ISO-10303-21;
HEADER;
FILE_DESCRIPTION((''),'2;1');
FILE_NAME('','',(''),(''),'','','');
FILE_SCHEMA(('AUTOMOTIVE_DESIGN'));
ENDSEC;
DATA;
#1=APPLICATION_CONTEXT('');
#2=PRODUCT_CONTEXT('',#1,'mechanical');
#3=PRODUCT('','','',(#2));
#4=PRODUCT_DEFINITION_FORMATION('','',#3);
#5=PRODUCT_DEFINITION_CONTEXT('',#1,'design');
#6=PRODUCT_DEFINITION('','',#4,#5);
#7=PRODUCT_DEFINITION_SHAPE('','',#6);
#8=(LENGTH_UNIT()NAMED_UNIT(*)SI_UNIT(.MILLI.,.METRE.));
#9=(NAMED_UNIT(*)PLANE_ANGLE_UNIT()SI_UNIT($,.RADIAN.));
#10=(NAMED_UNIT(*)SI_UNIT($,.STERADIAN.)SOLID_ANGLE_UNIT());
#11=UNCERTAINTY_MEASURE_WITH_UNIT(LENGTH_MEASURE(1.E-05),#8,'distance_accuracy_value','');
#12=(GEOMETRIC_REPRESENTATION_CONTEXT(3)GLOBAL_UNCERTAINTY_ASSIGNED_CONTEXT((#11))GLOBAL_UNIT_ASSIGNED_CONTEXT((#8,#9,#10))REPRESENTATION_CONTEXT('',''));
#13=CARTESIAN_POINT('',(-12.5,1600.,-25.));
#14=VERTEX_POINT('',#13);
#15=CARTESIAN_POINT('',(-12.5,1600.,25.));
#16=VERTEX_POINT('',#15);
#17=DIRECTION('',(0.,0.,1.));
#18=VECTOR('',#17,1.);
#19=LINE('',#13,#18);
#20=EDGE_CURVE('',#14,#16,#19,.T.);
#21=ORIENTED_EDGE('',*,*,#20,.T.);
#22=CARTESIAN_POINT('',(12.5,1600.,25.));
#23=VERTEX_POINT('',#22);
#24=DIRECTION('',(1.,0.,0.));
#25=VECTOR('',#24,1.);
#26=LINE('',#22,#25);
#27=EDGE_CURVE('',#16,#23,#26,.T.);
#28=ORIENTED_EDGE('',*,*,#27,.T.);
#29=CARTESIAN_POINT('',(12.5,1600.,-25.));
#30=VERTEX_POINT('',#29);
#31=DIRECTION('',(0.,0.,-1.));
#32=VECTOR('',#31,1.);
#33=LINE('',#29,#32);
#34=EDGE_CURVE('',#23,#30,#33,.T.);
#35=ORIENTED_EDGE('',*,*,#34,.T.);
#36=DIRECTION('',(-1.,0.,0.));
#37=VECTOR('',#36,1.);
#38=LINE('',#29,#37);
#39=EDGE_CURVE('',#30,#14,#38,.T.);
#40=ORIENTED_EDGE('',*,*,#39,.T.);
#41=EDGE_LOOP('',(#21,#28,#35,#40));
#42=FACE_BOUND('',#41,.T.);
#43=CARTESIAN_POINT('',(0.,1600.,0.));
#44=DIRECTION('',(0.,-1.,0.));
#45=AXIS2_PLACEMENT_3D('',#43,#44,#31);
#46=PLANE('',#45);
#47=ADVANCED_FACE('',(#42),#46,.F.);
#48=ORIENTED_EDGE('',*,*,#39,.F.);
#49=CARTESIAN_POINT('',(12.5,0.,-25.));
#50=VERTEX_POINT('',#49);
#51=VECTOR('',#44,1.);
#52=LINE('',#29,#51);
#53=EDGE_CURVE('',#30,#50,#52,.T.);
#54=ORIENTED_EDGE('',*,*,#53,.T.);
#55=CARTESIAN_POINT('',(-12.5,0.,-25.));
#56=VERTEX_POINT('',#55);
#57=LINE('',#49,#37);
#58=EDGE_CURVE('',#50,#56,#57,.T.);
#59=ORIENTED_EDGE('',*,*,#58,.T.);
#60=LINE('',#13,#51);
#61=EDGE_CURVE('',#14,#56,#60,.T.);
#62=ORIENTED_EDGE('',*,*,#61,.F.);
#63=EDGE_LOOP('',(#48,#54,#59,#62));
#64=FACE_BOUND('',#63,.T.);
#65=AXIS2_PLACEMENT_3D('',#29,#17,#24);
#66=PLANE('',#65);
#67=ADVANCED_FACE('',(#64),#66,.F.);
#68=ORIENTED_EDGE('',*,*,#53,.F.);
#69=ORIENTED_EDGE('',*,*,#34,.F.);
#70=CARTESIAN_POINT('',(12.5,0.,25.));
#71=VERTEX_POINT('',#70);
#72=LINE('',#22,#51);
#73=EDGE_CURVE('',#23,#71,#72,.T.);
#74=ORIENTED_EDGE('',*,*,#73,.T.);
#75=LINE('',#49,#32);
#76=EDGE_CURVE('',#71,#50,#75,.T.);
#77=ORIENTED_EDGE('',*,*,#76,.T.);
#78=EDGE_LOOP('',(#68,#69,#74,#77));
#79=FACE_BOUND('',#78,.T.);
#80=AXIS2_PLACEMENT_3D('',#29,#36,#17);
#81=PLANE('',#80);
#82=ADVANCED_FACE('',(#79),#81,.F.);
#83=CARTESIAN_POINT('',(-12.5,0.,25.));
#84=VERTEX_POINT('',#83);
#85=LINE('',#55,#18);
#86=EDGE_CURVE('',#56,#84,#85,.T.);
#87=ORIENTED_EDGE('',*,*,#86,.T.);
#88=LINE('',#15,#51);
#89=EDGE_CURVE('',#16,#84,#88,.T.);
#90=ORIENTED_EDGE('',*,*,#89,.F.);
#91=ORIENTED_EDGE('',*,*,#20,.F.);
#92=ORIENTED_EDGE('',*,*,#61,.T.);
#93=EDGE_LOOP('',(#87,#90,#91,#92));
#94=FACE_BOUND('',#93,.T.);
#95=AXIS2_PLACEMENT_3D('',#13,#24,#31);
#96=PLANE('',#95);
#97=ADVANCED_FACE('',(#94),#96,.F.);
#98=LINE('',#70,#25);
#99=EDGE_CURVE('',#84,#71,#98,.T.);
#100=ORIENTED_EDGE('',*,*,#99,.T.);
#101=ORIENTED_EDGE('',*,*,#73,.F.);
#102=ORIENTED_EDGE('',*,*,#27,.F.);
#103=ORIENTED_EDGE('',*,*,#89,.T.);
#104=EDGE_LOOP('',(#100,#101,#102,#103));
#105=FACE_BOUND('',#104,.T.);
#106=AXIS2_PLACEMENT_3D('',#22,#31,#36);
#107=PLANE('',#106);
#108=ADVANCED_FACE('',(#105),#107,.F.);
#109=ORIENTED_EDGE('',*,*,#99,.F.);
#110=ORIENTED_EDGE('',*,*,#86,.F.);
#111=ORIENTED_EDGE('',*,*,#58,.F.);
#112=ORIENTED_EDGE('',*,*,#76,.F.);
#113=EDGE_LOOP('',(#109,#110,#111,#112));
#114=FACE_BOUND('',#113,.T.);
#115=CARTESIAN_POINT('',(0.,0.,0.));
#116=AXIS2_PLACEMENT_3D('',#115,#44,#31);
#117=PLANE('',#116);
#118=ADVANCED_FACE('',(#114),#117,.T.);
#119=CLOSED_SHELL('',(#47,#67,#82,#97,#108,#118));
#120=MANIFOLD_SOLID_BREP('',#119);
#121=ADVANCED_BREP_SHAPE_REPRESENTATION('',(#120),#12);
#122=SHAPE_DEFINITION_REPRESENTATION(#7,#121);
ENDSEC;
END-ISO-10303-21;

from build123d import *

# Parameters (mm, degrees)
SKETCH_1_W      = 25
SKETCH_1_H      = 50
EXTRUDE_1_DEPTH = 1600


with BuildPart() as part:
    # Эскиз1 → Бобышка-Вытянуть1 (new body)
    with BuildSketch(Plane(origin=(0, 0, 0), x_dir=(1, 0, 0), z_dir=(0, 1, 0))):
        Rectangle(SKETCH_1_W, SKETCH_1_H)
    extrude(amount=EXTRUDE_1_DEPTH)


solid = part.part
